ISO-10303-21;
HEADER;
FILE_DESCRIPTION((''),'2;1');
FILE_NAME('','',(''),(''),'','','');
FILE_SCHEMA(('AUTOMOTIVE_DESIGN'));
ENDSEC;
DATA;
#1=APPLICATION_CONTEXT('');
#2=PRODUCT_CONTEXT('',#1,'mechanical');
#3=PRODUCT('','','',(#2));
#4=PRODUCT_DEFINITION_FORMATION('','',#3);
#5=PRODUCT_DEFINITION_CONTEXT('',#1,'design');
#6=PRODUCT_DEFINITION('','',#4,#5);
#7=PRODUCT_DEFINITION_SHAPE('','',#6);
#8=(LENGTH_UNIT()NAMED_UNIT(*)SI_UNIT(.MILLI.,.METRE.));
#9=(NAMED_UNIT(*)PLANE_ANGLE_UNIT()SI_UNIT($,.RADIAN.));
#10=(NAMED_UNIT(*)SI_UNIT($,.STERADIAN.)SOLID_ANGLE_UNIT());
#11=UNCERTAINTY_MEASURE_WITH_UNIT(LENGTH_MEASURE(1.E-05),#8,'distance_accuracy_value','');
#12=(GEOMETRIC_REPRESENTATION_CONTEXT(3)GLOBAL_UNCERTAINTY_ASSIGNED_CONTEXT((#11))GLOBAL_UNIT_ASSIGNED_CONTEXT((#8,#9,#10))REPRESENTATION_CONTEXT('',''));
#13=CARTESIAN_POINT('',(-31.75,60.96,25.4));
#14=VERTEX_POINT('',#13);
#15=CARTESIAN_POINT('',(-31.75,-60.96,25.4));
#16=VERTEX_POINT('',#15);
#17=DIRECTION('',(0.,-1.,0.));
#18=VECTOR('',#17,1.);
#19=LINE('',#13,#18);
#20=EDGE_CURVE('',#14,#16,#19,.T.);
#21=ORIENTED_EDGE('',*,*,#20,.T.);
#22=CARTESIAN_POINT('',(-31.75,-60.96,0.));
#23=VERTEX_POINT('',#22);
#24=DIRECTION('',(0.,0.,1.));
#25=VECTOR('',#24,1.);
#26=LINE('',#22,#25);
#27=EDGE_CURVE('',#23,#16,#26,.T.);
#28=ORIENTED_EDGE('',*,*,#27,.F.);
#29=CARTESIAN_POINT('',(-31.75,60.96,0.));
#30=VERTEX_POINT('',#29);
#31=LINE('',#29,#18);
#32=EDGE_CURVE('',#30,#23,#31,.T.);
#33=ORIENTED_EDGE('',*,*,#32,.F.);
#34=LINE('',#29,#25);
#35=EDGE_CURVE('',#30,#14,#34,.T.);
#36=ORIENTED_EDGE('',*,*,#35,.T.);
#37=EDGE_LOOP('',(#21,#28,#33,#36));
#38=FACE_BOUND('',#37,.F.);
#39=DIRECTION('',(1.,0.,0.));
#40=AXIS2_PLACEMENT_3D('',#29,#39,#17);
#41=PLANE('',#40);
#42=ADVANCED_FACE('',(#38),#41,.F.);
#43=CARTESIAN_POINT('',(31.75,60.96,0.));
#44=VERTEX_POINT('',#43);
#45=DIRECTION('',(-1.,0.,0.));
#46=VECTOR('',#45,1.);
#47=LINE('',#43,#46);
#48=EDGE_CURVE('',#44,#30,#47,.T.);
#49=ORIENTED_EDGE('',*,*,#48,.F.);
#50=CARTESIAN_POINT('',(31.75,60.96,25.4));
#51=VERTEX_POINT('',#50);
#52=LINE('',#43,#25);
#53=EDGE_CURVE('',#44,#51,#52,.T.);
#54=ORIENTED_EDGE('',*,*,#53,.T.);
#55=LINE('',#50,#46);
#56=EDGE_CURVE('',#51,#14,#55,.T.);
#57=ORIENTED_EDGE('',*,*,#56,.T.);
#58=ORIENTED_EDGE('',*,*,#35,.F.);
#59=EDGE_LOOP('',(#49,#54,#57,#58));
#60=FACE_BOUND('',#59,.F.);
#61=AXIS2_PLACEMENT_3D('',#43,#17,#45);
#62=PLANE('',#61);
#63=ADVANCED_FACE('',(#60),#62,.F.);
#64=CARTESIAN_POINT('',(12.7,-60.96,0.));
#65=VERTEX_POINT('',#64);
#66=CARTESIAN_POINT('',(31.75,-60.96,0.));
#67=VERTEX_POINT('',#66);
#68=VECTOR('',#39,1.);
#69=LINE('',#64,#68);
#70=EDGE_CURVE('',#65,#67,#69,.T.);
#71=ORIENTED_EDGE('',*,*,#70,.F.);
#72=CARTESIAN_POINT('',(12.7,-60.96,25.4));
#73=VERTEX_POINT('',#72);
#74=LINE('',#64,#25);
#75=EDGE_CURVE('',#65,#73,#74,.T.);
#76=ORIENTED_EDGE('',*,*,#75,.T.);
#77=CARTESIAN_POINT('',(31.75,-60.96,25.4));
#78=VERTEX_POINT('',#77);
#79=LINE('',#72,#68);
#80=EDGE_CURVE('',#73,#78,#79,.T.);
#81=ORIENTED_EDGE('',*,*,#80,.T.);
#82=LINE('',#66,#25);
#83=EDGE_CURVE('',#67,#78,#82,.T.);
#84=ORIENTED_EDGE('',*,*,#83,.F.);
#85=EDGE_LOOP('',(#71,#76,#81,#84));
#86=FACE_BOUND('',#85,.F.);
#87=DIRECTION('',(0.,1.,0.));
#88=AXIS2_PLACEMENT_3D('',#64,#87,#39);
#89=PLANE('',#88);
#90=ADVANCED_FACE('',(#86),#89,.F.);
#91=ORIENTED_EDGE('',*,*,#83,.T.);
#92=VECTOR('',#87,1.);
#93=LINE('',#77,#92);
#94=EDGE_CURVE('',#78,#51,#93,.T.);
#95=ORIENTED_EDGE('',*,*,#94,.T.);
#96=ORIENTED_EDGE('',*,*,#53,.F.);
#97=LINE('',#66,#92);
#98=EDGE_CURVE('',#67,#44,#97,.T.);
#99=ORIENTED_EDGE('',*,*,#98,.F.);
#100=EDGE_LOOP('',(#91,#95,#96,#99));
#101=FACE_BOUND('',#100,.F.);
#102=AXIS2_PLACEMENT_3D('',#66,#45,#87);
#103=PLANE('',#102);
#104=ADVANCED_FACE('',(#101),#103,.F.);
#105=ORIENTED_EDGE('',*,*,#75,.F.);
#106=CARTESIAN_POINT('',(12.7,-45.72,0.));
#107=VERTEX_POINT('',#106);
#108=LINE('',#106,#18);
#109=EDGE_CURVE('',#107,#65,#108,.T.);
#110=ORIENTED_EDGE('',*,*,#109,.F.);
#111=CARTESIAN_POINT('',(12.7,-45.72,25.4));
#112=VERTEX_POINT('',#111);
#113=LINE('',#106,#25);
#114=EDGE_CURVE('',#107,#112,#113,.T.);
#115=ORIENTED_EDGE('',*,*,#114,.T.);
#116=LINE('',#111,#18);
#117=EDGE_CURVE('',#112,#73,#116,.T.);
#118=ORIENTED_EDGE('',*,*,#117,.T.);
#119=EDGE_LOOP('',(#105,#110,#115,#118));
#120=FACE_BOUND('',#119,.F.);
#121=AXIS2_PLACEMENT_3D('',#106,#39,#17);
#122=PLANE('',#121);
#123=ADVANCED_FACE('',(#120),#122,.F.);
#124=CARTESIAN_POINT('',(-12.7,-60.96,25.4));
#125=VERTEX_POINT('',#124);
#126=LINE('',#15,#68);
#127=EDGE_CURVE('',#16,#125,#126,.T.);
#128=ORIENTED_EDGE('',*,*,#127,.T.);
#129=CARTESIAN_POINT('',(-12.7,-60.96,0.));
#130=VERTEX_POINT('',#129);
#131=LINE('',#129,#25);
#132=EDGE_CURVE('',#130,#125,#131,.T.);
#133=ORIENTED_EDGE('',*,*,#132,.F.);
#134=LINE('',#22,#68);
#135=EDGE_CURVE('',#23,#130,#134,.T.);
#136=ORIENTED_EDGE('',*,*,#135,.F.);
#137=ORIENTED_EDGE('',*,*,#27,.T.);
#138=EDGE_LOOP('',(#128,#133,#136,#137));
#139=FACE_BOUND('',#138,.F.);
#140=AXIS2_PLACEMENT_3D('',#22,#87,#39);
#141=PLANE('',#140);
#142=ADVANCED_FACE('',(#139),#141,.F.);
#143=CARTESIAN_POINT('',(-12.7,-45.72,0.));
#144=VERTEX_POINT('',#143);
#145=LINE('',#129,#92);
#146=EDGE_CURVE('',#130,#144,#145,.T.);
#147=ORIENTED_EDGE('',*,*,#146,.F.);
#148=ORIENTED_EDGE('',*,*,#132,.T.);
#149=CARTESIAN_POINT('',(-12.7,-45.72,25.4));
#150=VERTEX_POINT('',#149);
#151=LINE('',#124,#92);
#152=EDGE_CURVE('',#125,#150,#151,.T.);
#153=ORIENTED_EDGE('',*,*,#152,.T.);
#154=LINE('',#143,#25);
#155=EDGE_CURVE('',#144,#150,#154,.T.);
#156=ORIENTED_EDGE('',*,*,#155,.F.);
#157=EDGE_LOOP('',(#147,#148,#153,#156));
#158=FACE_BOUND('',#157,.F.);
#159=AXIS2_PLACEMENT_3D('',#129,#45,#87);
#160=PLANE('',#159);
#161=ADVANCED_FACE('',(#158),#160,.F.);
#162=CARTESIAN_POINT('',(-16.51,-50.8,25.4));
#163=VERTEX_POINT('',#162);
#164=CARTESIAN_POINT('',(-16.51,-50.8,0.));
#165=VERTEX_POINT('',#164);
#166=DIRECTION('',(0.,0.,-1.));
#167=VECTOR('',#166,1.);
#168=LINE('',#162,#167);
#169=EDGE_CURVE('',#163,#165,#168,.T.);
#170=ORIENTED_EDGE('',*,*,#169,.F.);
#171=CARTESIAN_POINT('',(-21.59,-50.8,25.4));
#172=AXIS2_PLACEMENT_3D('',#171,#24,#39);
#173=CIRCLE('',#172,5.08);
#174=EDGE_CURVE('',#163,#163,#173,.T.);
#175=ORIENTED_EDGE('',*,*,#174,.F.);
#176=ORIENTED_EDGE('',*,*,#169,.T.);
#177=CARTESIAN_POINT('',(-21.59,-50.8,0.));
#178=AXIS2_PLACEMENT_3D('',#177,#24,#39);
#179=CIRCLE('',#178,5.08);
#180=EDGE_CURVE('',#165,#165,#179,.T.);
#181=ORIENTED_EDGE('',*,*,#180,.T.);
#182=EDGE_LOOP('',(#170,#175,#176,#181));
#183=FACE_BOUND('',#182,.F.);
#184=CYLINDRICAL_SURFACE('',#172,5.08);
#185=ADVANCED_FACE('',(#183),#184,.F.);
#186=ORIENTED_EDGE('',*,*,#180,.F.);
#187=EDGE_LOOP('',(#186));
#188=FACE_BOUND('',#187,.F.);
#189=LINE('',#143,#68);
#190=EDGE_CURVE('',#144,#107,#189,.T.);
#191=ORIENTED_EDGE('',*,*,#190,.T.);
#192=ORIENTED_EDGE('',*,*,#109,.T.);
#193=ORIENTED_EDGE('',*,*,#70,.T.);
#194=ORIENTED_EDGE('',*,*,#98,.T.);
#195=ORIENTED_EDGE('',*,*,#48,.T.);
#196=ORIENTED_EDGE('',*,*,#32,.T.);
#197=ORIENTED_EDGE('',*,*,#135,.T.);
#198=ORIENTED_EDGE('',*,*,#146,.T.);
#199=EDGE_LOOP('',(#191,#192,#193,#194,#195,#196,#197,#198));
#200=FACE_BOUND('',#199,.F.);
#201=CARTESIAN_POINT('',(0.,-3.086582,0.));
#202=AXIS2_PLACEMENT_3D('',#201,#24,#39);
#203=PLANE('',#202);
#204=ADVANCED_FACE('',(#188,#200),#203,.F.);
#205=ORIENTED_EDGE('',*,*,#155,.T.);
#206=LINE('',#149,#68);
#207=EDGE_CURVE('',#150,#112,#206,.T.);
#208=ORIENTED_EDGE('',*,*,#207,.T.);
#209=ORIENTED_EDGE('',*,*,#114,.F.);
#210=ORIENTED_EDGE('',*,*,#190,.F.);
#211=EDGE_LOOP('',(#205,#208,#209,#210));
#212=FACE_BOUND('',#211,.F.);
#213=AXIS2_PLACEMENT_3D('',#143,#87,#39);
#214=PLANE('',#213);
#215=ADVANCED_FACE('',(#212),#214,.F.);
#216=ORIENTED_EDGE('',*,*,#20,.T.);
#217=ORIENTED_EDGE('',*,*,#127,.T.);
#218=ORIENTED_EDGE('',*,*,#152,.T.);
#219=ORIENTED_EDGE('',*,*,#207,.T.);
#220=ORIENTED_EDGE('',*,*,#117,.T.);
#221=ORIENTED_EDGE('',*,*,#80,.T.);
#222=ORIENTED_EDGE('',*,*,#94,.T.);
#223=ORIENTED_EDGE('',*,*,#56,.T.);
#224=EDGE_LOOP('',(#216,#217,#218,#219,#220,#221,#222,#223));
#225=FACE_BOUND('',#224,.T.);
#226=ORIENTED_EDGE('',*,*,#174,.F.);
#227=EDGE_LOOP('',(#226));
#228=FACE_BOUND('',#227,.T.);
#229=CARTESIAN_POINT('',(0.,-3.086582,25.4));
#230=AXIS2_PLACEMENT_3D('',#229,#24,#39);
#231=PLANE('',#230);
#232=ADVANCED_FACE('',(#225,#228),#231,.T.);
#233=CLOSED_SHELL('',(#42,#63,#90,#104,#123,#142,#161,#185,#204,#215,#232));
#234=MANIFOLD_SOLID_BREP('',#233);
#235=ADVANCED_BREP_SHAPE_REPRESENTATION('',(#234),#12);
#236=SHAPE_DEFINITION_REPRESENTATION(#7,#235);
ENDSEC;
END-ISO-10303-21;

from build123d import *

# Parameters (mm, degrees)
F1_DEPTH = 25.4
F2_R     = 5.08
F3_DEPTH = 25.4


with BuildPart() as f1:
    # F0 (on Top) → F1 (new body)
    with BuildSketch(Plane.XY):
        Polygon((31.75, -60.96), (31.75, 60.96), (-31.75, 60.96), (-31.75, -60.96), (-12.7, -60.96), (-12.7, -45.72), (12.7, -45.72), (12.7, -60.96), align=None)
    extrude(amount=F1_DEPTH)

    # F2 (on face) → F3 (cut)
    with BuildSketch(Plane.XY.offset(25.4)):
        with Locations((-21.59, -50.8)):
            Circle(F2_R)
    extrude(amount=-F3_DEPTH, mode=Mode.SUBTRACT)


solid = f1.part
